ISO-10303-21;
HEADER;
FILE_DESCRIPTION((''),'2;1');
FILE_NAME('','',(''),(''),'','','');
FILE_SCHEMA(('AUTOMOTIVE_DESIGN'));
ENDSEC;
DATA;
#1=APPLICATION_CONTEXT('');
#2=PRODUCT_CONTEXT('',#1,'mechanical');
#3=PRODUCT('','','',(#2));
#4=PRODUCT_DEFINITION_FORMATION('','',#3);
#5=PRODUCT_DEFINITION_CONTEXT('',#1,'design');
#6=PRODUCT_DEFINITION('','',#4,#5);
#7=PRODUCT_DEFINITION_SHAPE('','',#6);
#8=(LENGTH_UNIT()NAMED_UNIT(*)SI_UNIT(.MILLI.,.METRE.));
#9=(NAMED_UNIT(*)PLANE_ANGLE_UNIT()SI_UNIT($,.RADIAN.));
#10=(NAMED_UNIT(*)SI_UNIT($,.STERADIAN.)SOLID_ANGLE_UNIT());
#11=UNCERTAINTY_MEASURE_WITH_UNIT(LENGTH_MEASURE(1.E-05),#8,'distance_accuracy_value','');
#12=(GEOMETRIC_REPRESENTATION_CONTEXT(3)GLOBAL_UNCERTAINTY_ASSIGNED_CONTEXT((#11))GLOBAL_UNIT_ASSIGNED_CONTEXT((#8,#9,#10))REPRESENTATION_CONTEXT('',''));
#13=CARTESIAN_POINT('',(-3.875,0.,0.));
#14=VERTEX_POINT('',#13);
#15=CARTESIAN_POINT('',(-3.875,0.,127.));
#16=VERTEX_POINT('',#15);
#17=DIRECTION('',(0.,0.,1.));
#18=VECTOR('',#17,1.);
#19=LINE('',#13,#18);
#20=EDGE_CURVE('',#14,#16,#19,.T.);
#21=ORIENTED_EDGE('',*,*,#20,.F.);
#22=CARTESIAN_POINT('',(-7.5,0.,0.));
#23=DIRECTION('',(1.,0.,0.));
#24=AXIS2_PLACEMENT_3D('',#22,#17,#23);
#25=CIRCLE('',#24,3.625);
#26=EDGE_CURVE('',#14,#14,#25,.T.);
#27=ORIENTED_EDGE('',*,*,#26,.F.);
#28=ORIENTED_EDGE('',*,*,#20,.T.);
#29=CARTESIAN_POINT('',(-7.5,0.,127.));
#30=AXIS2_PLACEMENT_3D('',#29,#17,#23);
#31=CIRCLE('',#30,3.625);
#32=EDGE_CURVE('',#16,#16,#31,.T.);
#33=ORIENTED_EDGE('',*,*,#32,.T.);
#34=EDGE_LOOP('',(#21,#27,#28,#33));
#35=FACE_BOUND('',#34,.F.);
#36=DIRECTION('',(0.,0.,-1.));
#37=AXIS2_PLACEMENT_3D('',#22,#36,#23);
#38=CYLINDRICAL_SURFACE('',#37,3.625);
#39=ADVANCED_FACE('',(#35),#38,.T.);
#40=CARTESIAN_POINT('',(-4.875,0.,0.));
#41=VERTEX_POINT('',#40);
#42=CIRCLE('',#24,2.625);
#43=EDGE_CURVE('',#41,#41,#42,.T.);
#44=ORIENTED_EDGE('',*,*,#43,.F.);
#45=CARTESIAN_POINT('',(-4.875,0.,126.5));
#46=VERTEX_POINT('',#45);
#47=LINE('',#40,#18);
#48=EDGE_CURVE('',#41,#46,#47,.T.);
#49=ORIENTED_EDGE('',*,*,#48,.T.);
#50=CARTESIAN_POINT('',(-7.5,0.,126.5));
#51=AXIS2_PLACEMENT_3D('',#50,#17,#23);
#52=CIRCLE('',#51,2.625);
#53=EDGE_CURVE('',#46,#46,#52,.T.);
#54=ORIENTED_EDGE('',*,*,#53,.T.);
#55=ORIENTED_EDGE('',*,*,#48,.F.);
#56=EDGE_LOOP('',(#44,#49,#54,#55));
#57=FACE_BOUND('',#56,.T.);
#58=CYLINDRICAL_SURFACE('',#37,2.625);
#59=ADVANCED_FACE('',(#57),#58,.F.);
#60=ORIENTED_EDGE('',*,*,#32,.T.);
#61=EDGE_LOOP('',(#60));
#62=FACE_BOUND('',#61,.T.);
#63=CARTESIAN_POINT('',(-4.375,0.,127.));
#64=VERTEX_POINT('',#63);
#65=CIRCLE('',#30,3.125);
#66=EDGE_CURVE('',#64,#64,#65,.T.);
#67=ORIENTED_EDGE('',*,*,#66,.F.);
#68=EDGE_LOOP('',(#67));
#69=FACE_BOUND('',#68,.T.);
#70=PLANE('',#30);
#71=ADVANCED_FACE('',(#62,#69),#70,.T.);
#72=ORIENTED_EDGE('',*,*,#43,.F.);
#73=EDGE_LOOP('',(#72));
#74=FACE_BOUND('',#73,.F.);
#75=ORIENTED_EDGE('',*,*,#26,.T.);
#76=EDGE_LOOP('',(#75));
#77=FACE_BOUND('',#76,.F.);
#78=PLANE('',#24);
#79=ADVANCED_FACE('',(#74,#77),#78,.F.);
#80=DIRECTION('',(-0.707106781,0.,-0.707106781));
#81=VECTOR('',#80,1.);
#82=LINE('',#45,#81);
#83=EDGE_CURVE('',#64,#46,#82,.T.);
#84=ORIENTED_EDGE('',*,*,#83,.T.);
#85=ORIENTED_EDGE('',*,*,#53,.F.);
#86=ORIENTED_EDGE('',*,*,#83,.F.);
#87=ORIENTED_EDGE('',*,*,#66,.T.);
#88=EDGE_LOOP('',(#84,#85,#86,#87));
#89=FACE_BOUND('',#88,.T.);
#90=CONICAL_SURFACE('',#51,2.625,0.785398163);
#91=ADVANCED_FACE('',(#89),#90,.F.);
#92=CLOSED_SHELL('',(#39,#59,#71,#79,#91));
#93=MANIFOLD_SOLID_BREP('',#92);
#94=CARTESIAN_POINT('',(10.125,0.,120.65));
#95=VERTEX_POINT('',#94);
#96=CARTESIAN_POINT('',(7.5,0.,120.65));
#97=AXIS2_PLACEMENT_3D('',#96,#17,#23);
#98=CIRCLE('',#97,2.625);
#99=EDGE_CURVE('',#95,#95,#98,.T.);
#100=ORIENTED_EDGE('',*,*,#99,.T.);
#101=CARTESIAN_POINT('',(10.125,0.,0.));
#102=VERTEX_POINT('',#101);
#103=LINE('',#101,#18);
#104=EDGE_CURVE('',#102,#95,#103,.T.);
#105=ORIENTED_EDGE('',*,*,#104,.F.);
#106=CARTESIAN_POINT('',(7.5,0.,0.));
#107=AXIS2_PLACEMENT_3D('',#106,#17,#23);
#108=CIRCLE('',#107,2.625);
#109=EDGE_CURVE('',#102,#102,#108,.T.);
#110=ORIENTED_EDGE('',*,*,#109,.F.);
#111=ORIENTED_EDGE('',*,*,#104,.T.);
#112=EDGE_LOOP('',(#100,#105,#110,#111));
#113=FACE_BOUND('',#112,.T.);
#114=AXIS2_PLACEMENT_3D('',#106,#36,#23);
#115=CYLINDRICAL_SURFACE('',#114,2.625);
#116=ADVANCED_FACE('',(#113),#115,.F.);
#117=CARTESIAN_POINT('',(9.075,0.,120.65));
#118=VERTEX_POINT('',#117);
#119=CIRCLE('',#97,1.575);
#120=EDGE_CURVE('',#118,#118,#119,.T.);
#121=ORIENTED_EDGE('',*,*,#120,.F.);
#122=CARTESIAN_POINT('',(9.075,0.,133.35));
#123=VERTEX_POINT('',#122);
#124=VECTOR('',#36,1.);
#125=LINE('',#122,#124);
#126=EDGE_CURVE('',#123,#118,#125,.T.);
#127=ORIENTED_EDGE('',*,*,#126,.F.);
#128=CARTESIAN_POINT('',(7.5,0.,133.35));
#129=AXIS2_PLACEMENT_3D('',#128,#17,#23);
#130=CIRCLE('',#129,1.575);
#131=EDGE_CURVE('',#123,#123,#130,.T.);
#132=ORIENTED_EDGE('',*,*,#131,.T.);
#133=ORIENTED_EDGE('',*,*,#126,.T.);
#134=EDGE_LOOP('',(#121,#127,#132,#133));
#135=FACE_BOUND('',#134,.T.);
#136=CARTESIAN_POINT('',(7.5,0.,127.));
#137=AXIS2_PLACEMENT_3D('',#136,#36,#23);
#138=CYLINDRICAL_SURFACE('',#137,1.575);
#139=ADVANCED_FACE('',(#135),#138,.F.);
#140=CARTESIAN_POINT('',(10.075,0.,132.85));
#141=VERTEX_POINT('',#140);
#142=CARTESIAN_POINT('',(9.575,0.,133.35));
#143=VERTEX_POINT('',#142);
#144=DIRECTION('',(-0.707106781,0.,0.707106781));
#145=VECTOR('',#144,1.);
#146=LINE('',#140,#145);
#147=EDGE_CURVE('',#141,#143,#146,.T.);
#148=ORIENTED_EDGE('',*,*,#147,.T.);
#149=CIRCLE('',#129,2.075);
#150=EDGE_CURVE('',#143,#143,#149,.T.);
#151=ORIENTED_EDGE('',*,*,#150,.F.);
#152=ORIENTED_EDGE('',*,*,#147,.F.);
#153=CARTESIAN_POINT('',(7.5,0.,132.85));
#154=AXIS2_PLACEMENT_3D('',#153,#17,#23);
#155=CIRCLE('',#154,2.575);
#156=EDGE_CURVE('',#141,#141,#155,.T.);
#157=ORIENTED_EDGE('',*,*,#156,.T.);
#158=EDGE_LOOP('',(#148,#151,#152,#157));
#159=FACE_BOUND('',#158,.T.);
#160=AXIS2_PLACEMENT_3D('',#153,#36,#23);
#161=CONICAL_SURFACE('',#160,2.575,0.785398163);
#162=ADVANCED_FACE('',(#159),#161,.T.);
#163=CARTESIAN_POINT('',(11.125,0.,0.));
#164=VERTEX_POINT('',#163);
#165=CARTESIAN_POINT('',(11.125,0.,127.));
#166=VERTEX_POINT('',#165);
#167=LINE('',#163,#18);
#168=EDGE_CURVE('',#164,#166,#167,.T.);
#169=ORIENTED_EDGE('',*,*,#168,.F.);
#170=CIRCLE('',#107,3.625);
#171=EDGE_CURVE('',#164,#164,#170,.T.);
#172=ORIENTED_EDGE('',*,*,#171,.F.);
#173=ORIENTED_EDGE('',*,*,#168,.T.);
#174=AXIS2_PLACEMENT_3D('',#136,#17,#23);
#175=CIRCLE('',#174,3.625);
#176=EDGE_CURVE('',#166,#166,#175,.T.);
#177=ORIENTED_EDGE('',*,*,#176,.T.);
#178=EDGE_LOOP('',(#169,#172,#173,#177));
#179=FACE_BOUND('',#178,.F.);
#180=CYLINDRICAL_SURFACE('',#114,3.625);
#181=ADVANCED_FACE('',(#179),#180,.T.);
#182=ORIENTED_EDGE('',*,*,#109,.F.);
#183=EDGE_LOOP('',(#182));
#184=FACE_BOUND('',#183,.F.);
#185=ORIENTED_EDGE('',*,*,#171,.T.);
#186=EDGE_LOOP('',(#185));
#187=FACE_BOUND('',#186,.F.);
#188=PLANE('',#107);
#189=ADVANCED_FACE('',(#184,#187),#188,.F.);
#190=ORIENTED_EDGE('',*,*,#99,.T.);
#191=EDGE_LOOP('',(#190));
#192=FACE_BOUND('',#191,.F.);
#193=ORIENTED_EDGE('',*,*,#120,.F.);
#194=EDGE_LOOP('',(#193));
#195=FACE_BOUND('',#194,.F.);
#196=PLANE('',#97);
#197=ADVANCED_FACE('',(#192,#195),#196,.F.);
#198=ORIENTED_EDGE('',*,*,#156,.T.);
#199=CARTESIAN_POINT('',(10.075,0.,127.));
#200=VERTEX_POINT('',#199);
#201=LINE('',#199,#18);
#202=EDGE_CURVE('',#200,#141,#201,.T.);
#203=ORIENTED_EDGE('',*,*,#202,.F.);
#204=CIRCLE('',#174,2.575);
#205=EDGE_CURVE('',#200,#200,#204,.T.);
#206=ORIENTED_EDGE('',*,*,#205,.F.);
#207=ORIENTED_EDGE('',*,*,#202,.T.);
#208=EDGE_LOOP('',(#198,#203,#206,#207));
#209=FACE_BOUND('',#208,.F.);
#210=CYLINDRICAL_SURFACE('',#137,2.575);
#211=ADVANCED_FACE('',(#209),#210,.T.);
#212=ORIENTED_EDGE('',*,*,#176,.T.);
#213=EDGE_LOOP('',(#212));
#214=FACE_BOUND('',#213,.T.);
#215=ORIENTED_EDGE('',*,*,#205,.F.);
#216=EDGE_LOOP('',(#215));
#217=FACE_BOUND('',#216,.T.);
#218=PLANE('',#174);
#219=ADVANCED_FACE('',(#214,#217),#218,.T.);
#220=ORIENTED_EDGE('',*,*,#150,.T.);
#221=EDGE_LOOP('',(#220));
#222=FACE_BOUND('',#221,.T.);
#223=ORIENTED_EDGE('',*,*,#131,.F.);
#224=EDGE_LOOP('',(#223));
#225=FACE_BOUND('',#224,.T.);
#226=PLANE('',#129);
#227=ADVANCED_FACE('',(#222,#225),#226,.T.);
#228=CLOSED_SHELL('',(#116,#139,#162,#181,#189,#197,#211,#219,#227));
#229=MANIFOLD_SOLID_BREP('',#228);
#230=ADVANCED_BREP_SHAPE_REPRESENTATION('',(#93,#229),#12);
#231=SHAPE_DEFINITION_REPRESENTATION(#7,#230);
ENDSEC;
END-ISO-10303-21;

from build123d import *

# Parameters (mm, degrees)
F0_R     = 3.625
F0_R_2   = 2.625
F1_DEPTH = 127
F2_R     = 2.625
F2_R_2   = 1.575
F3_DEPTH = 6.35
F4_R     = 2.575
F4_R_2   = 1.575
F5_DEPTH = 6.35
F6_SIZE  = 0.5


with BuildPart() as f1:
    # F0 (on Top) → F1 (new body)
    with BuildSketch(Plane.XY):
        with Locations((-7.5, 0)):
            Circle(F0_R)
        with Locations((-7.5, 0)):
            Circle(F0_R_2, mode=Mode.SUBTRACT)
        with Locations((7.5, 0)):
            Circle(F0_R)
        with Locations((7.5, 0)):
            Circle(F0_R_2, mode=Mode.SUBTRACT)
    extrude(amount=F1_DEPTH)

    # F2 (on face) → F3 (join)
    with BuildSketch(Plane.XY.offset(127)):
        with Locations((7.5, 0)):
            Circle(F2_R)
        with Locations((7.5, 0)):
            Circle(F2_R_2, mode=Mode.SUBTRACT)
    extrude(amount=-F3_DEPTH)

    # F4 (on face) → F5 (join)
    with BuildSketch(Plane.XY.offset(127)):
        with Locations((7.5, 0)):
            Circle(F4_R)
        with Locations((7.5, 0)):
            Circle(F4_R_2, mode=Mode.SUBTRACT)
    extrude(amount=F5_DEPTH)

    # F6
    f6_edges = [f1.edges().sort_by_distance(p)[0] for p in [
        (4.925, 0, 133.35),
        (-10.125, 0, 127),
    ]]
    chamfer(f6_edges, length=F6_SIZE)


solid = f1.part
